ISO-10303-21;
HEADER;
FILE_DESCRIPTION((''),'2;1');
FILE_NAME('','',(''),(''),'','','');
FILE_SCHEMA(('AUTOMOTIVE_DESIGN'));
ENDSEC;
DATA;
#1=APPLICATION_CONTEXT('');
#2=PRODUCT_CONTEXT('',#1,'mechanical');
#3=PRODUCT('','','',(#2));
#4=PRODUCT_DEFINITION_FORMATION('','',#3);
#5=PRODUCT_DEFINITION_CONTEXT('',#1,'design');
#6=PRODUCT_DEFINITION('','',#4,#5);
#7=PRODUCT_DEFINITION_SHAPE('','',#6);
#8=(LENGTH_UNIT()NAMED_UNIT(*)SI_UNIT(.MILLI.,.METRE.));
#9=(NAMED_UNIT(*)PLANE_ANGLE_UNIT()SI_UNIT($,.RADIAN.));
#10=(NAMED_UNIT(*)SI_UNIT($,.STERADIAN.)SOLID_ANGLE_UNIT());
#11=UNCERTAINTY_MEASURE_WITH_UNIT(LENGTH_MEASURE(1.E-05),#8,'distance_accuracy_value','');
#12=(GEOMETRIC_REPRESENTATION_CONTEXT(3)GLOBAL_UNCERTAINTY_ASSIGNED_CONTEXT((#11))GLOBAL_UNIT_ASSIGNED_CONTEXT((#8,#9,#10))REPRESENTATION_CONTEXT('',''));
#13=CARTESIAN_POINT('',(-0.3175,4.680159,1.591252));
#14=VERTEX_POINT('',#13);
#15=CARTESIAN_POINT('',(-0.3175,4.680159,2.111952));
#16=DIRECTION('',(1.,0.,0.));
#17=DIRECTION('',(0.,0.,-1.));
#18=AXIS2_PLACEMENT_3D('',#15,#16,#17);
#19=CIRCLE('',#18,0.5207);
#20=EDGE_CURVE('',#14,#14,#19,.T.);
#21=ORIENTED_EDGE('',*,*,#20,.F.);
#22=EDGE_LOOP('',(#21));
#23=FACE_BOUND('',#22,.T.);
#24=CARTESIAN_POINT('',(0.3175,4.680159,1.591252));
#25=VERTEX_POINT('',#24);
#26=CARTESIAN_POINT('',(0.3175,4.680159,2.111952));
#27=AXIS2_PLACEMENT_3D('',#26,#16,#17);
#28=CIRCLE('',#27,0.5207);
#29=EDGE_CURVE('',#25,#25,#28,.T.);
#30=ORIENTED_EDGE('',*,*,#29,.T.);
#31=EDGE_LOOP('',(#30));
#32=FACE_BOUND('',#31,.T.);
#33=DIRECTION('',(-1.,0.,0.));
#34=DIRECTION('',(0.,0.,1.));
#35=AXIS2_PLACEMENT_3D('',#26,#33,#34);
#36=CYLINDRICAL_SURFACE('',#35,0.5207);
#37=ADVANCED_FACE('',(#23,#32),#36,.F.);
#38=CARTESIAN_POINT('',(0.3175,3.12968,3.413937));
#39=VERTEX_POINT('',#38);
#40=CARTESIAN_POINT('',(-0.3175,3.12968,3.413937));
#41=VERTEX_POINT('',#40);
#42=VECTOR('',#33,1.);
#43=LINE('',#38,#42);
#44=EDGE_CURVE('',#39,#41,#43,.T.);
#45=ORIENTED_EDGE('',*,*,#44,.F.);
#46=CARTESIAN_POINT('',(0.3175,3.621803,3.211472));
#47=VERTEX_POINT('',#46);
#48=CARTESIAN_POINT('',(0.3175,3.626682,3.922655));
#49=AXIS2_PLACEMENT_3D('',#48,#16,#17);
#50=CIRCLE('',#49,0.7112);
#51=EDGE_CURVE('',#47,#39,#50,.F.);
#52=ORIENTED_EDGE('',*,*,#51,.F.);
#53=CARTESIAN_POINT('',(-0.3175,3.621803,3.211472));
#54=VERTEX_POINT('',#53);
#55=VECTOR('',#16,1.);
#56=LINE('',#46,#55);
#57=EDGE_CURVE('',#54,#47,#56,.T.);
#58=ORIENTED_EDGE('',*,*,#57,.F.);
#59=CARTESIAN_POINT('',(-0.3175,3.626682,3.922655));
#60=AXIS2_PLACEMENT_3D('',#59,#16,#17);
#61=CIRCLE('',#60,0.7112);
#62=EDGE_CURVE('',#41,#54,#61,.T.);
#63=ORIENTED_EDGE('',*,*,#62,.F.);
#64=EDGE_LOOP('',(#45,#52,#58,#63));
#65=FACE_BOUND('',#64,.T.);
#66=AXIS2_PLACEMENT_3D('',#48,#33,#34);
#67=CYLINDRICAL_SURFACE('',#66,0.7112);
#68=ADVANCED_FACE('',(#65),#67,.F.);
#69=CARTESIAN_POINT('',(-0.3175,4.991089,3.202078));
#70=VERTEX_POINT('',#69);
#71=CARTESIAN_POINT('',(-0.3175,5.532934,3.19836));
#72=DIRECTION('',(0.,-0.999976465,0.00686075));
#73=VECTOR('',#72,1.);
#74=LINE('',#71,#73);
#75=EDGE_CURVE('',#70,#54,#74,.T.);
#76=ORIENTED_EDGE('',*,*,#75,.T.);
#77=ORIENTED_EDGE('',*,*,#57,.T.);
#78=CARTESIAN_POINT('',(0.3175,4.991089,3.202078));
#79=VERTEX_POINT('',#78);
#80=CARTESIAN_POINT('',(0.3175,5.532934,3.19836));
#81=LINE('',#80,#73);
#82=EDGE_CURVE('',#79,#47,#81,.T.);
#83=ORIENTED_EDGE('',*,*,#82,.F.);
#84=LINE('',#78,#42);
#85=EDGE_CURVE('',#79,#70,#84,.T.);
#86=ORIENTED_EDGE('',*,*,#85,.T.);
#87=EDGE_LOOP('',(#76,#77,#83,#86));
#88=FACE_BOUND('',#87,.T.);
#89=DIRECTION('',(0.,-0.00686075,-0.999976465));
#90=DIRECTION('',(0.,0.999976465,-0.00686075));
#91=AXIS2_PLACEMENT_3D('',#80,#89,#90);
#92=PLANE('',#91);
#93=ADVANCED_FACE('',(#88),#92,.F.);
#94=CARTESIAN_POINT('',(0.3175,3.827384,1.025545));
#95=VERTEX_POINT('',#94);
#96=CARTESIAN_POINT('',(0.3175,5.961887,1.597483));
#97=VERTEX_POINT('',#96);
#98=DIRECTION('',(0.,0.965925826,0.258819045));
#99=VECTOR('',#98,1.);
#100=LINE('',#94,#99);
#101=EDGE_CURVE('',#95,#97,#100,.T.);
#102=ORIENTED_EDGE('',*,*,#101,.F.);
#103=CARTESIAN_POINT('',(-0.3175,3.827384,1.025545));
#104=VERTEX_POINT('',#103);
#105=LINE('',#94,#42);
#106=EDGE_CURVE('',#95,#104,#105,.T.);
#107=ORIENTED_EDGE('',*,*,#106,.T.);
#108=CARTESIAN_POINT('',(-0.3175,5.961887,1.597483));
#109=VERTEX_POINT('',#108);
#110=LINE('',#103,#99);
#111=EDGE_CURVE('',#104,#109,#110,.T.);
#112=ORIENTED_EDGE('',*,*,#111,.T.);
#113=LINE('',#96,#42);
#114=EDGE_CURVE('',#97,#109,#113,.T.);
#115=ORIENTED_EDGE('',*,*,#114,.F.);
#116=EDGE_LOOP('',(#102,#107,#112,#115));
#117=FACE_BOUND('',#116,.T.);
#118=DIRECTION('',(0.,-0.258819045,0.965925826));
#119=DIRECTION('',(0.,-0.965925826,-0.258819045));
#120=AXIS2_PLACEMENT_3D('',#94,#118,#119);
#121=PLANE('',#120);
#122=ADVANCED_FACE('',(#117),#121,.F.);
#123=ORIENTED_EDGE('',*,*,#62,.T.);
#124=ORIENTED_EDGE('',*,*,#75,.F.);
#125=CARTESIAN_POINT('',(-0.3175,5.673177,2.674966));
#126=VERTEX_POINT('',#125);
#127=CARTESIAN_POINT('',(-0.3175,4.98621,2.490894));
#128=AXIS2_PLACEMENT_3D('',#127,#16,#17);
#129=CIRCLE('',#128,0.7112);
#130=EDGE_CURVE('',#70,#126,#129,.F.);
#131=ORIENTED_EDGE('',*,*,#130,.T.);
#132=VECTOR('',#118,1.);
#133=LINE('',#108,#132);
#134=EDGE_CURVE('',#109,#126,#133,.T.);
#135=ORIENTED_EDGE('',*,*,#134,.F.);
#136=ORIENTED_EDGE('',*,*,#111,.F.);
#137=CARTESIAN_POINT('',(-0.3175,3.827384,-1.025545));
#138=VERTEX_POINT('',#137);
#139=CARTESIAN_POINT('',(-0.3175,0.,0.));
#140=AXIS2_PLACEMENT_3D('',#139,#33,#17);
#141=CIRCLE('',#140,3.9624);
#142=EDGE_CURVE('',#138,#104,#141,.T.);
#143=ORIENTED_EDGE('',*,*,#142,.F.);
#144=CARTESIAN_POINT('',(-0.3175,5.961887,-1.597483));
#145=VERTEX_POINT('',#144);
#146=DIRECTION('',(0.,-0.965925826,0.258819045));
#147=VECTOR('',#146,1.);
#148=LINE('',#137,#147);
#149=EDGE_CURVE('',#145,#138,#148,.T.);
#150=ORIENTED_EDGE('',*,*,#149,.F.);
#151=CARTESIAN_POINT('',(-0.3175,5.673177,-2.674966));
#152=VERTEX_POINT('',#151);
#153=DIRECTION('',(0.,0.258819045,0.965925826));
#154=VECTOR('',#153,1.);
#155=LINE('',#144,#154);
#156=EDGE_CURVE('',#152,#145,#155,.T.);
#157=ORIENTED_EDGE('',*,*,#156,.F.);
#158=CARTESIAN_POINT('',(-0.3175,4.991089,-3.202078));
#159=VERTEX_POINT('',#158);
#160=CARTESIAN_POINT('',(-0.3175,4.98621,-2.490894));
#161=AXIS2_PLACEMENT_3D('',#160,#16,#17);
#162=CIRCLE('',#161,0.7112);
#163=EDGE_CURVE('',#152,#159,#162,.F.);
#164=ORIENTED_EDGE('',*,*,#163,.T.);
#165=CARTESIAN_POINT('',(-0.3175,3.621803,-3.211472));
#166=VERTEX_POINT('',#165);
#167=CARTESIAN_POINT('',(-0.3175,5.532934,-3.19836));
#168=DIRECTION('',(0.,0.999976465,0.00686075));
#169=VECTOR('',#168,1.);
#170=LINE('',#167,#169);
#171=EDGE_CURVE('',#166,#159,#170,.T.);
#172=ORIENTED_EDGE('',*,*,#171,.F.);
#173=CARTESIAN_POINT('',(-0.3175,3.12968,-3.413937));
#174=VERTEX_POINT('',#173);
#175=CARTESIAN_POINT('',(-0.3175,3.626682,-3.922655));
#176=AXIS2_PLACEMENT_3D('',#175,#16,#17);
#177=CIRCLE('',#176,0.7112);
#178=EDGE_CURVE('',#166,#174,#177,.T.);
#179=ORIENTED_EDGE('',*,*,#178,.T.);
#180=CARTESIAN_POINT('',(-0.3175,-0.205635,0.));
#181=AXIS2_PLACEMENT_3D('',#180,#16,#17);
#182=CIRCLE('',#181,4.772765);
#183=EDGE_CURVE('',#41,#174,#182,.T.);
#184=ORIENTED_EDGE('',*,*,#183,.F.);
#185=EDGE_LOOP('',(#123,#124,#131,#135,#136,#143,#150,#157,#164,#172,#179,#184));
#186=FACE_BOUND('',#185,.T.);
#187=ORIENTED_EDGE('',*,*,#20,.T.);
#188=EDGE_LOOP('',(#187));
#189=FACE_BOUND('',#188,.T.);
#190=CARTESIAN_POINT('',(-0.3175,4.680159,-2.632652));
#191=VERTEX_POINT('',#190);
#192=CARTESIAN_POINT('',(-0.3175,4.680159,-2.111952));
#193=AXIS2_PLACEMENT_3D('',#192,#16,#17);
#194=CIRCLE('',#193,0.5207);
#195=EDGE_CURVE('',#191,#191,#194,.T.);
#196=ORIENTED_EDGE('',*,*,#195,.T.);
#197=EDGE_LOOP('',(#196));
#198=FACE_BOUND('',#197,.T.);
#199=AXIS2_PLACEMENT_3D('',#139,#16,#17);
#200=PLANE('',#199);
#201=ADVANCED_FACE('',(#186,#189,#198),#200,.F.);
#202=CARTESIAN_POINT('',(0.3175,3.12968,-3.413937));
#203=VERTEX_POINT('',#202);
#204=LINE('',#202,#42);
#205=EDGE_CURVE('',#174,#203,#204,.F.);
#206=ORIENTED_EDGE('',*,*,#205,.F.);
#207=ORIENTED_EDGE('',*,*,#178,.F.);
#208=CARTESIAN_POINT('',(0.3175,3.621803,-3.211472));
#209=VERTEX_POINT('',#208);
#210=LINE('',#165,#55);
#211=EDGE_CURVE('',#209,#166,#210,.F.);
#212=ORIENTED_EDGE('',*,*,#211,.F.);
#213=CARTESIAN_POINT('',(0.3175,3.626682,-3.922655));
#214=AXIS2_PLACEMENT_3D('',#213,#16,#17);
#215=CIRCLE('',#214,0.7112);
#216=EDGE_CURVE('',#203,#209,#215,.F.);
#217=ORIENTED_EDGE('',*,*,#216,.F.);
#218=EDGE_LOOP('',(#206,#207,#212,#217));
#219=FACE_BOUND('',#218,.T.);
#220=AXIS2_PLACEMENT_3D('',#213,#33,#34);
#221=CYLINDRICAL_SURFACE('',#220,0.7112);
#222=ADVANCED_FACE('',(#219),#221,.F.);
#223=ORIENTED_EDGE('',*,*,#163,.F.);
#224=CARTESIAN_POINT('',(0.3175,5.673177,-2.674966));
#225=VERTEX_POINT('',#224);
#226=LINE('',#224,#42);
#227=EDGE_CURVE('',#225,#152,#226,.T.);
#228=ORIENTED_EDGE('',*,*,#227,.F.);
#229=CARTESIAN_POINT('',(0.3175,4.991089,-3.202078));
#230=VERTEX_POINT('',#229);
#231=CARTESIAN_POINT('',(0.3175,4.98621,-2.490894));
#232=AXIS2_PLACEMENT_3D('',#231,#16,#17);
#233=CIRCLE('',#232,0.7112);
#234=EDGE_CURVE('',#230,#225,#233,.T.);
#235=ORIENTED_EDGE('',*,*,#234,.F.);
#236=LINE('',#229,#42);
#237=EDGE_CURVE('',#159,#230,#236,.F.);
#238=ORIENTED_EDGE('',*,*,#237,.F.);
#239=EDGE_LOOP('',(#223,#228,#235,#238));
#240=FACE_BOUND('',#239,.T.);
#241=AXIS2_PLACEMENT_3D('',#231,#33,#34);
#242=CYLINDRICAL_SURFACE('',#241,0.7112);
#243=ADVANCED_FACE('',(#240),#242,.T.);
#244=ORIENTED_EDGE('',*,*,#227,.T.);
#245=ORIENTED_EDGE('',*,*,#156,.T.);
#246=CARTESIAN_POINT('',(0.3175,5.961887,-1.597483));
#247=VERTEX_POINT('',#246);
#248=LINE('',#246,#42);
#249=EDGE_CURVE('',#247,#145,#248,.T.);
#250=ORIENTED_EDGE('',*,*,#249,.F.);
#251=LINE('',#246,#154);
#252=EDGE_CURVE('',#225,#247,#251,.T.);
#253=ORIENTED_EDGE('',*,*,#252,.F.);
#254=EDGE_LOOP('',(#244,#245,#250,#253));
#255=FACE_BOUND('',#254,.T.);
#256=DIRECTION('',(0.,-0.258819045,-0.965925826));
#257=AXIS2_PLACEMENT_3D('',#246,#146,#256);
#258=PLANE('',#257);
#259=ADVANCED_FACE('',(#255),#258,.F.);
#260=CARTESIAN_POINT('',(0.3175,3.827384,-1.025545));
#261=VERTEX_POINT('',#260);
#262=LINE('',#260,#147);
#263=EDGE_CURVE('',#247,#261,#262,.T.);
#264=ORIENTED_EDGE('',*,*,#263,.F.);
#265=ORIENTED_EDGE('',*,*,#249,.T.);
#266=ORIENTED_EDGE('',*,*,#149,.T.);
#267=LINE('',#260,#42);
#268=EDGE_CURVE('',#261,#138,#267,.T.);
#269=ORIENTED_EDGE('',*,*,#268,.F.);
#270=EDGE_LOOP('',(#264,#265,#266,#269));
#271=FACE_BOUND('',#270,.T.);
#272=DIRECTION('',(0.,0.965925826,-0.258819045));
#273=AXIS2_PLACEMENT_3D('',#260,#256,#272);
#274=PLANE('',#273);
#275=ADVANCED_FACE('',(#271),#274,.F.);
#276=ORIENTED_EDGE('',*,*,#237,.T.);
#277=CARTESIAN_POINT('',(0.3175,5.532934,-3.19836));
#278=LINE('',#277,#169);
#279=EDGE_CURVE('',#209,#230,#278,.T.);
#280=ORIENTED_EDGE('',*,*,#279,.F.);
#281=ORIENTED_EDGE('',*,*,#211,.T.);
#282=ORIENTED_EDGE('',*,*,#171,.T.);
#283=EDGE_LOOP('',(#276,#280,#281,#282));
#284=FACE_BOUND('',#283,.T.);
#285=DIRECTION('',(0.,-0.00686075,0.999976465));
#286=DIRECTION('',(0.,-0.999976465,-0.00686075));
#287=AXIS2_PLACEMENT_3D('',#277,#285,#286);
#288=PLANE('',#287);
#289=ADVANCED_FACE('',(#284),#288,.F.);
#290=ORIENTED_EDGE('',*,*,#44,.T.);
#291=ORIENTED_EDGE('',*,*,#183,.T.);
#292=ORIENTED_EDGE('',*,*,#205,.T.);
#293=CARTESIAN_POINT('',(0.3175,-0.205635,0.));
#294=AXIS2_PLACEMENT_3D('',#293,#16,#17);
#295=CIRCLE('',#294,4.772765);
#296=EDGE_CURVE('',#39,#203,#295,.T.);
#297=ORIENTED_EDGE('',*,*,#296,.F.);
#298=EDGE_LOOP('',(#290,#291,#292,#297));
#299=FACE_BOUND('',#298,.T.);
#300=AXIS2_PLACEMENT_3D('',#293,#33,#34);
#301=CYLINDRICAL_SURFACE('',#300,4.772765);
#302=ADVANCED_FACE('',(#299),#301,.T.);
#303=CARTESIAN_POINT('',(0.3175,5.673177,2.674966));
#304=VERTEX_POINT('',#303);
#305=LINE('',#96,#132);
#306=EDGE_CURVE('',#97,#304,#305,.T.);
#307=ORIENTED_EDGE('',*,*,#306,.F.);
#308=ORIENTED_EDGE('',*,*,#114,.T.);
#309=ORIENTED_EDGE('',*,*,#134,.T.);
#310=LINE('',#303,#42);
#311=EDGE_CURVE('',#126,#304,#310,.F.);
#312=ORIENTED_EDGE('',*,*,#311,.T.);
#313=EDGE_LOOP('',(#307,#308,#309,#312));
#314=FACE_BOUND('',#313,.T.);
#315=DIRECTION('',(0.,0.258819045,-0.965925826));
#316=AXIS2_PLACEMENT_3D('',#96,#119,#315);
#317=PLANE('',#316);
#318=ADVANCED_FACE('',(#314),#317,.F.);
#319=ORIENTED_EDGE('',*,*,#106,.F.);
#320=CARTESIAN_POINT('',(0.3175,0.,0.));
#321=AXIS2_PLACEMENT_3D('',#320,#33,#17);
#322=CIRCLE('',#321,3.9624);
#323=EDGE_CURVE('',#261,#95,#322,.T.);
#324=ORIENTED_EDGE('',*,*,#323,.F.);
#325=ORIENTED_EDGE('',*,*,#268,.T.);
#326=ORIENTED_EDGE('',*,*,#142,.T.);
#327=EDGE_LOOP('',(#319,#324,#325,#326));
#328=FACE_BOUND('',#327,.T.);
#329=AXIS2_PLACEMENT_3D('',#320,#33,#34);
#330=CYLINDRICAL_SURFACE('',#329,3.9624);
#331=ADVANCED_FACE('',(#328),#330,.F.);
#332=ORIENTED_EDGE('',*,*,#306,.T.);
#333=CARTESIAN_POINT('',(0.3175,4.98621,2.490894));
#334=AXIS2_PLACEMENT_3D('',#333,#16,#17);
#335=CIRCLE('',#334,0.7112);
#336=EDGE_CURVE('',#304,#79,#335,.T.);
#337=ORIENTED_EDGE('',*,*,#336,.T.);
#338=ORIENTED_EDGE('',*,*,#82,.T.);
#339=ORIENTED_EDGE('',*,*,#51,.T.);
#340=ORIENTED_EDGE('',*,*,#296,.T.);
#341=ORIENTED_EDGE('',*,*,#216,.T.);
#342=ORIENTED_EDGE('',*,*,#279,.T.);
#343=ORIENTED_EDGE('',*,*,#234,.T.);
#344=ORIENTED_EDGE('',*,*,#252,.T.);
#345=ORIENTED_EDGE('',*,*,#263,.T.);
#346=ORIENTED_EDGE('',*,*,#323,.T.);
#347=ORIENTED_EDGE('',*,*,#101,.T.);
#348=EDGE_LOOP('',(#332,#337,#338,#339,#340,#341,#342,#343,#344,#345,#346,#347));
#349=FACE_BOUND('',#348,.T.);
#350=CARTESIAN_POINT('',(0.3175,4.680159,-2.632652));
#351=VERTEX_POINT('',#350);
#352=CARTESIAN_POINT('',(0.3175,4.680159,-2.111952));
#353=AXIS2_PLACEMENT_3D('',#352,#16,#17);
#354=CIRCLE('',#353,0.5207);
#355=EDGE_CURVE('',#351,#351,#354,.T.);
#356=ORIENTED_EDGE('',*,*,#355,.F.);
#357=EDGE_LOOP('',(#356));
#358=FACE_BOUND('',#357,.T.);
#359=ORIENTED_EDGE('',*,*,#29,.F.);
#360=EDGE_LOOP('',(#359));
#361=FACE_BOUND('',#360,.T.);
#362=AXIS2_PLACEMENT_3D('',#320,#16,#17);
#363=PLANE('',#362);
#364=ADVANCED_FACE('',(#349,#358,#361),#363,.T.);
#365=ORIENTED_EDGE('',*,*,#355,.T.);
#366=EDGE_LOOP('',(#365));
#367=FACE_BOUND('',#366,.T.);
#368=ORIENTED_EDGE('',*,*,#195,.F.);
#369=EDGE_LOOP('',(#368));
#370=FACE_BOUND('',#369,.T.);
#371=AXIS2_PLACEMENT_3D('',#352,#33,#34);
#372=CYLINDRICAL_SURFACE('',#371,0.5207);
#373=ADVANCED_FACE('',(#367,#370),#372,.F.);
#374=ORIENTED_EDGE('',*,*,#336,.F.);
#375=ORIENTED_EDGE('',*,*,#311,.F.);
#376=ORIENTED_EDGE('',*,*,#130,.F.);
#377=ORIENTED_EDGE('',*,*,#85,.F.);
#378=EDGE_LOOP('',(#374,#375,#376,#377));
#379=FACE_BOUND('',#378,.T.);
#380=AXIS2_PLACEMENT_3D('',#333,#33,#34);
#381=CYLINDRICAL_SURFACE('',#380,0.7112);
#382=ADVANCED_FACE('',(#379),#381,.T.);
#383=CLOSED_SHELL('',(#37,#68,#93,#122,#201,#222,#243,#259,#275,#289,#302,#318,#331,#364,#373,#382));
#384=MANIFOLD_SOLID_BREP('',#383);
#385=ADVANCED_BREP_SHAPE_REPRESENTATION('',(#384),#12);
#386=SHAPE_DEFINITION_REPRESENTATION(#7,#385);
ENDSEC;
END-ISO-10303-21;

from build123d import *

# Parameters (mm, degrees)
SKETCH1_R      = 0.5207
EXTRUDE1_DEPTH = 0.3175
FILLET1_R      = 0.7112


with BuildPart() as part:
    # Sketch1 → Extrude1 (new body, symmetric)
    with BuildSketch(Plane(origin=(0, 0, 0), x_dir=(0, 0, -1), z_dir=(1, 0, 0))):
        with BuildLine():
            Line((-1.025544584, 3.827384494), (-1.59748291, 5.961887385))
            Line((-1.59748291, 5.961887385), (-3.198360078, 5.532933641))
            Line((-3.198360078, 5.532933641), (-3.213520964, 3.323185649))
            ThreePointArc((-3.213520964, 3.323185649), (0, -4.9784), (3.213520964, 3.323185649))
            Line((3.213520964, 3.323185649), (3.198360078, 5.532933641))
            Line((3.198360078, 5.532933641), (1.59748291, 5.961887385))
            Line((1.59748291, 5.961887385), (1.025544584, 3.827384494))
            ThreePointArc((1.025544584, 3.827384494), (0, -3.9624), (-1.025544584, 3.827384494))
        make_face()
        with Locations((-2.111952331, 4.680159067)):
            Circle(SKETCH1_R, mode=Mode.SUBTRACT)
        with Locations((2.111952331, 4.680159067)):
            Circle(SKETCH1_R, mode=Mode.SUBTRACT)
    extrude(amount=EXTRUDE1_DEPTH, both=True)

    # Fillet1
    fillet1_edges = [part.edges().sort_by_distance(p)[0] for p in [
        (0, 5.532933641, -3.198360078),
        (0, 3.323185649, -3.213520964),
        (0, 3.323185649, 3.213520964),
        (0, 5.532933641, 3.198360078),
    ]]
    fillet(fillet1_edges, radius=FILLET1_R)


solid = part.part
